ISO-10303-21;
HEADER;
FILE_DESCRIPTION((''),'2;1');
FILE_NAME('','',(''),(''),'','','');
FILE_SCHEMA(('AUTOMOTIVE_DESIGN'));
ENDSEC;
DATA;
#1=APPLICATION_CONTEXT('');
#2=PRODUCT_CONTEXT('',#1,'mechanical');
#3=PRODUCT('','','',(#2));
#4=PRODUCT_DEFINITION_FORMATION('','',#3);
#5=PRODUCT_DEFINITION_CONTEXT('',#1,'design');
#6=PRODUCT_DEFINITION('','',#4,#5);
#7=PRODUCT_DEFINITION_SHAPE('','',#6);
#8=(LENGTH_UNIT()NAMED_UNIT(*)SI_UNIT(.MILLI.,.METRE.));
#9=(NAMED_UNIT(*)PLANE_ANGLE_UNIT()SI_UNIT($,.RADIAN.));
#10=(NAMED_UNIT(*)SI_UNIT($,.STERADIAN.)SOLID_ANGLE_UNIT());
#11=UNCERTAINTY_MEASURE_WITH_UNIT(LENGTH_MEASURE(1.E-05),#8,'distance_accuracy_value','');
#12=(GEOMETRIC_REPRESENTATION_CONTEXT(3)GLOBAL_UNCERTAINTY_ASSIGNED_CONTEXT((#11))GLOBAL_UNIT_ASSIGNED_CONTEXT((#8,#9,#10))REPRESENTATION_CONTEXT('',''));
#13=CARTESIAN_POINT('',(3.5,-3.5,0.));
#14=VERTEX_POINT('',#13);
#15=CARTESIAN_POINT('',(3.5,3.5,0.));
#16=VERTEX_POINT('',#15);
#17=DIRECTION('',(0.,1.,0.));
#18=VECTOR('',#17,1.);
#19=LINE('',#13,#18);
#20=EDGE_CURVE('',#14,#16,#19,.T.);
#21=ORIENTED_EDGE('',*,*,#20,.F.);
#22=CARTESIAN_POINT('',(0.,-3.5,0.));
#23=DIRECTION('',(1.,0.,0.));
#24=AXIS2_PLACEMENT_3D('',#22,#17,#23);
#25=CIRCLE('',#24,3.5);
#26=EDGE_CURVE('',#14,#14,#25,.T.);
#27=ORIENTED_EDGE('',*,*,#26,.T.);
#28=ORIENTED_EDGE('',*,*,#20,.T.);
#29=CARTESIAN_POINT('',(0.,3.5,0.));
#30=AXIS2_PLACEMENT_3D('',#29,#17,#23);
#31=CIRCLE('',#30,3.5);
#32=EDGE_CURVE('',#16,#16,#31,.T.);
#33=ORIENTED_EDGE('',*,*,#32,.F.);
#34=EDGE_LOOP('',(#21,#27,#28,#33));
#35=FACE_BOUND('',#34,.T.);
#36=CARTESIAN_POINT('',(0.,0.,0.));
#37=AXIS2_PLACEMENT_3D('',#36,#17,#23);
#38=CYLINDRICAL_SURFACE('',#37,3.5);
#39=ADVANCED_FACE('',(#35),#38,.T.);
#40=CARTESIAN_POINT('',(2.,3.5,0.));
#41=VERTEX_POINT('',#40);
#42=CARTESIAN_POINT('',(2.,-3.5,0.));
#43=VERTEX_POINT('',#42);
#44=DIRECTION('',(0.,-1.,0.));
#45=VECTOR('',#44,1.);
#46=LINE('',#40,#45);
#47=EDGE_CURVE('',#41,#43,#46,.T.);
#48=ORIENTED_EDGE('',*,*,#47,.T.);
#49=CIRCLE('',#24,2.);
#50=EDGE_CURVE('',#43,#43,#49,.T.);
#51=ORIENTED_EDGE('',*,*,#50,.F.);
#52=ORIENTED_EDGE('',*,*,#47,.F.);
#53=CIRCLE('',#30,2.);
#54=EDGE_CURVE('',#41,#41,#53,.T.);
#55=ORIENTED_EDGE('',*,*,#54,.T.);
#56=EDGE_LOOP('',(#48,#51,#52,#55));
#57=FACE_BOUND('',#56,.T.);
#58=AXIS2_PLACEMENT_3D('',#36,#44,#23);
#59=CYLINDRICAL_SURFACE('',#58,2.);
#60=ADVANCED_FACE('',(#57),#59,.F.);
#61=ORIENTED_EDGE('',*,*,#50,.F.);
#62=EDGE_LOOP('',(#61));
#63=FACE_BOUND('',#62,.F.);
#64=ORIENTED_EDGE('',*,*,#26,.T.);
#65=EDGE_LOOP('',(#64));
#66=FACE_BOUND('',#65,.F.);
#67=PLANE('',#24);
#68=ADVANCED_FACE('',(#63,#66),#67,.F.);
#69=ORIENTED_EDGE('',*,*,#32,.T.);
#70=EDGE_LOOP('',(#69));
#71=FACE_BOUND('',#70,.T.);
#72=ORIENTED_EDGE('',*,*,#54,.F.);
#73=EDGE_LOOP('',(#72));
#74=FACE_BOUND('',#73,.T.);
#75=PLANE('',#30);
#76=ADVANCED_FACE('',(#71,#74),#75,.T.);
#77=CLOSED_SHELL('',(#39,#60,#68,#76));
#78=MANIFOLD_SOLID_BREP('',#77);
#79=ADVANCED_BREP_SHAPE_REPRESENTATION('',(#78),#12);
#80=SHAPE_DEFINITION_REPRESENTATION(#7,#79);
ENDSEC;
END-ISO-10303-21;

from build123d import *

# Parameters (mm, degrees)
SKETCH1_R           = 3.5
SKETCH1_R_2         = 2
BOSS_EXTRUDE1_DEPTH = 3.5


with BuildPart() as part:
    # Sketch1 → Boss-Extrude1 (new body, symmetric)
    with BuildSketch(Plane(origin=(0, 0, 0), x_dir=(1, 0, 0), z_dir=(0, 1, 0))):
        Circle(SKETCH1_R)
        Circle(SKETCH1_R_2, mode=Mode.SUBTRACT)
    extrude(amount=BOSS_EXTRUDE1_DEPTH, both=True)


solid = part.part
